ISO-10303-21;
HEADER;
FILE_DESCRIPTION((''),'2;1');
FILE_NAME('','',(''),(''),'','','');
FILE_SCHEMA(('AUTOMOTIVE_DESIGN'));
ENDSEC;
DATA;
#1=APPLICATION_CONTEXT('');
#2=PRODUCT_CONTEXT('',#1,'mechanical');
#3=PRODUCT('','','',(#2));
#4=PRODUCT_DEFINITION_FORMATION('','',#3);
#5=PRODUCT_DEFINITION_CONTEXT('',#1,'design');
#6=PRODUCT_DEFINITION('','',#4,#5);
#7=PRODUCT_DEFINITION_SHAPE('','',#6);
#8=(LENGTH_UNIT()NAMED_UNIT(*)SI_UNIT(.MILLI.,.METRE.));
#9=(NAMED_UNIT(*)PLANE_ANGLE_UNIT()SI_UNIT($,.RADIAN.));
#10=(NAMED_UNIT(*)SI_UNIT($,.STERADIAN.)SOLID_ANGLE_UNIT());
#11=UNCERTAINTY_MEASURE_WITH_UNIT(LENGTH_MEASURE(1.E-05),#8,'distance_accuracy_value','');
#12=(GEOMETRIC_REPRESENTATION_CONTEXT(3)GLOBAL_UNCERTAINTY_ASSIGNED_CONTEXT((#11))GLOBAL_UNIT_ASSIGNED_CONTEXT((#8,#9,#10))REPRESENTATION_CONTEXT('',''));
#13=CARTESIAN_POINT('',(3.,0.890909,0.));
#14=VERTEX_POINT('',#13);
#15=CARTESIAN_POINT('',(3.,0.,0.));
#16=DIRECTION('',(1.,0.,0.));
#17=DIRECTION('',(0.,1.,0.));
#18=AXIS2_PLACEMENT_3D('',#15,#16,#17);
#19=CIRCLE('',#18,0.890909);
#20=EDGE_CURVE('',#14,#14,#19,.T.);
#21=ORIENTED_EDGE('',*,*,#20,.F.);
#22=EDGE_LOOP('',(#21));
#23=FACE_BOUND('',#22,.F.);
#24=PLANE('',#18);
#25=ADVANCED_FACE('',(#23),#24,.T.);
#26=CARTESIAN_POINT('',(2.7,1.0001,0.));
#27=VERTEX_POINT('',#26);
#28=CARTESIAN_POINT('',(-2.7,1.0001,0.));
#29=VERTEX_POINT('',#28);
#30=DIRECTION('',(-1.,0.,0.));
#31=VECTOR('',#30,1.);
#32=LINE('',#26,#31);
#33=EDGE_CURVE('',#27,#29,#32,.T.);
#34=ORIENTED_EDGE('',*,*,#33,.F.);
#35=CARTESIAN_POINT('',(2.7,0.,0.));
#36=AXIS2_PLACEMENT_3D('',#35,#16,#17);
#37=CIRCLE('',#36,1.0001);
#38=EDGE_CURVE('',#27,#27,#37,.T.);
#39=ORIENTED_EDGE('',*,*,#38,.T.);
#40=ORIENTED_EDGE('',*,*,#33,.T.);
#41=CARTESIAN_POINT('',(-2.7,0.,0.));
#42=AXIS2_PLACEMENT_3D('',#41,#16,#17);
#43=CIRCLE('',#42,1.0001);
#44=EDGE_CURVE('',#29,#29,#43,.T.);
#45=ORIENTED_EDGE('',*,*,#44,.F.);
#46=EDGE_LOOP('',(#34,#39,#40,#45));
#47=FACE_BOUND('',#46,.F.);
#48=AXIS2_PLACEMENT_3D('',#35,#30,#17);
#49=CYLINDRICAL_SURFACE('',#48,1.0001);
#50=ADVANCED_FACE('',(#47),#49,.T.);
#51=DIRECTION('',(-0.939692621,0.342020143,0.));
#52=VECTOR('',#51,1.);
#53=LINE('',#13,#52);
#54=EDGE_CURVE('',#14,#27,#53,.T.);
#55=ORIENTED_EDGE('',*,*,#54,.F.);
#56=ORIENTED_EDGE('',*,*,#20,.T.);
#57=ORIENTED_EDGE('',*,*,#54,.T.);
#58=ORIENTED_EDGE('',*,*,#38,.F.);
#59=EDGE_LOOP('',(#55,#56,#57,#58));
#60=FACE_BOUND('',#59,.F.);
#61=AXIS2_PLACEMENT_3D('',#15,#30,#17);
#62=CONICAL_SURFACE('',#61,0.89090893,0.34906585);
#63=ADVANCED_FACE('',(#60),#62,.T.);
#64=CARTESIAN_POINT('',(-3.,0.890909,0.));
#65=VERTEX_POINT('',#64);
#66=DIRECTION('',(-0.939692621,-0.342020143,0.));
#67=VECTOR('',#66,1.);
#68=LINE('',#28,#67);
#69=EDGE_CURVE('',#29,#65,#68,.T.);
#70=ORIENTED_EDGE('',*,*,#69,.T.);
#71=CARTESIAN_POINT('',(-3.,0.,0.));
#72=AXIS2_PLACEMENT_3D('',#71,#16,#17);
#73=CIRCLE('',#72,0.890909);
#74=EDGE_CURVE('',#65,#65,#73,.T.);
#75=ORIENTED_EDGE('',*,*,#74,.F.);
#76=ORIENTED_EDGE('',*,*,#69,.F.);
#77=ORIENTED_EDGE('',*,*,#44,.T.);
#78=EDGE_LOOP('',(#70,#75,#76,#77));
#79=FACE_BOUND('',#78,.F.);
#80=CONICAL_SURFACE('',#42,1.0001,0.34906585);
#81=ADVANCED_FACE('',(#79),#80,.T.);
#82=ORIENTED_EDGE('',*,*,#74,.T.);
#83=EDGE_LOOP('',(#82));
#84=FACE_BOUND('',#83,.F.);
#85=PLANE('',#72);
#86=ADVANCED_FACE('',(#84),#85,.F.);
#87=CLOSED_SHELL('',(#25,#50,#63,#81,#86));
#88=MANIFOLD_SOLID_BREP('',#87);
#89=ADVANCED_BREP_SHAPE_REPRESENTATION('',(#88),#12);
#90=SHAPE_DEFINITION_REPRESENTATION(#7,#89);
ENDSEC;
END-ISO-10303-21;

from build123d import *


with BuildPart() as part:
    # Sketch1 → Revolve1 (revolve)
    with BuildSketch(Plane.XY):
        Polygon((-3, 0.89090893), (-3, 0), (3, 0), (3, 0.89090893), (2.7, 1.0001), (-2.7, 1.0001), align=None)
    revolve(axis=Axis((-3, 0, 0), (1, 0, 0)))


solid = part.part
